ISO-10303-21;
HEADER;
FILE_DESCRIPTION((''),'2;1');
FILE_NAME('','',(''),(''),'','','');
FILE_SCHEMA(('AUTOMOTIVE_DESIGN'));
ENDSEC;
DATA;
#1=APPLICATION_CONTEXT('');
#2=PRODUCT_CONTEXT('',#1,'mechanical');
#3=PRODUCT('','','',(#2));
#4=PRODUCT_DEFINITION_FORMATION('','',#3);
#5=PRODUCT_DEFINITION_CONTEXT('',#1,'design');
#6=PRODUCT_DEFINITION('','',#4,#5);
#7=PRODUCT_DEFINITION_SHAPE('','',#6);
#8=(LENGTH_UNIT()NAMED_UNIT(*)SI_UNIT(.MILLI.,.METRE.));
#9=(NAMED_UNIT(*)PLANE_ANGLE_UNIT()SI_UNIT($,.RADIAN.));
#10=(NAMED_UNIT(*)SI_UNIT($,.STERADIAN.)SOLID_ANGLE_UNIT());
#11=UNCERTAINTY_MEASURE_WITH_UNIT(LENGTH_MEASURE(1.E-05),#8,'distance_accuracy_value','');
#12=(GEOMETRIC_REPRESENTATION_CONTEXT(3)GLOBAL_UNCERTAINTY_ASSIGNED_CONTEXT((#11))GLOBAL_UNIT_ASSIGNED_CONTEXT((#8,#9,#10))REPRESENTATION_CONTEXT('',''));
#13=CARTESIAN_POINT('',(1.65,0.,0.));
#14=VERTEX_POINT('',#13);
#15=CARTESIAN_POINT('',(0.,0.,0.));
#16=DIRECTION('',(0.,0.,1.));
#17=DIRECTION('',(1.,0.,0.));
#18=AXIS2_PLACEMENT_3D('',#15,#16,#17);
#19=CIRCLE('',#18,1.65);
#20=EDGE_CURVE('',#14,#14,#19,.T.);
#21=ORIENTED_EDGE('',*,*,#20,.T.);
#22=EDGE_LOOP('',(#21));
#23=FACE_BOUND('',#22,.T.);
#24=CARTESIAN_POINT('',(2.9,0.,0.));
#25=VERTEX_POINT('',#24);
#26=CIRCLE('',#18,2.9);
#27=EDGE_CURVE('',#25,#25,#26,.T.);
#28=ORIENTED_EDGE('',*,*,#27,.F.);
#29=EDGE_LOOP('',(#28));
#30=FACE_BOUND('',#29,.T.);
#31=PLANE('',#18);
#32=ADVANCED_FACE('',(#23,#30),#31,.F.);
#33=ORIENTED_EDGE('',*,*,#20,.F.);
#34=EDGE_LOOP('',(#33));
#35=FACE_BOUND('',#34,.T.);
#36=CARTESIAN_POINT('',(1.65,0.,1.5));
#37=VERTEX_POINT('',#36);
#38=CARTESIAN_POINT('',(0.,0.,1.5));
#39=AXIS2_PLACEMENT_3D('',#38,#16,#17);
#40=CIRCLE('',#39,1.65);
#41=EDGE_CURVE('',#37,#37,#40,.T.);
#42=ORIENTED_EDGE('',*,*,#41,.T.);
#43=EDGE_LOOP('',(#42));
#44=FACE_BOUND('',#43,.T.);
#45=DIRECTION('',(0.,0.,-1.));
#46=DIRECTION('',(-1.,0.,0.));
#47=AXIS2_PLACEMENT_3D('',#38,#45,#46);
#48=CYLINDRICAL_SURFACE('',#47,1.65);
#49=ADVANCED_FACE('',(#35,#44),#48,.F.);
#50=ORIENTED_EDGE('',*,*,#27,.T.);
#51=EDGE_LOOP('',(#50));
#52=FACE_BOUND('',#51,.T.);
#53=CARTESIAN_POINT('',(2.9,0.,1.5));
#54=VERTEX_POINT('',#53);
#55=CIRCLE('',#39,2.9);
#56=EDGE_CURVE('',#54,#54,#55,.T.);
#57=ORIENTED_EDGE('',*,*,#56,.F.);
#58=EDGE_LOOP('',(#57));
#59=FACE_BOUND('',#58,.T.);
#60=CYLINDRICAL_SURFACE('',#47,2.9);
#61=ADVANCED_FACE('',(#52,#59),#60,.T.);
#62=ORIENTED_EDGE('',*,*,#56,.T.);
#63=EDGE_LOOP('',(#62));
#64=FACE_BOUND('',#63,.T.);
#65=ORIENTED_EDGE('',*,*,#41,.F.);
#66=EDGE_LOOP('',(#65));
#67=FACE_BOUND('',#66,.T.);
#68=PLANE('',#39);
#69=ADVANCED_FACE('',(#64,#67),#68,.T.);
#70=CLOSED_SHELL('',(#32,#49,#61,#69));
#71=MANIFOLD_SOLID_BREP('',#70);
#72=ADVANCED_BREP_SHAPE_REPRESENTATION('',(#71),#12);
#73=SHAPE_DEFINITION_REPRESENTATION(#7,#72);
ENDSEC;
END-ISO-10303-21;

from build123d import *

# Parameters (mm, degrees)
SKETCH_1_R        = 2.9
SKETCH_1_R_2      = 1.65
M3_D3P3_1P5_DEPTH = 1.5


with BuildPart() as part:
    # 草图1 → M3安装垫片_D3p3_厚1p5 (new body)
    with BuildSketch(Plane.XY):
        Circle(SKETCH_1_R)
        Circle(SKETCH_1_R_2, mode=Mode.SUBTRACT)
    extrude(amount=M3_D3P3_1P5_DEPTH)


solid = part.part
